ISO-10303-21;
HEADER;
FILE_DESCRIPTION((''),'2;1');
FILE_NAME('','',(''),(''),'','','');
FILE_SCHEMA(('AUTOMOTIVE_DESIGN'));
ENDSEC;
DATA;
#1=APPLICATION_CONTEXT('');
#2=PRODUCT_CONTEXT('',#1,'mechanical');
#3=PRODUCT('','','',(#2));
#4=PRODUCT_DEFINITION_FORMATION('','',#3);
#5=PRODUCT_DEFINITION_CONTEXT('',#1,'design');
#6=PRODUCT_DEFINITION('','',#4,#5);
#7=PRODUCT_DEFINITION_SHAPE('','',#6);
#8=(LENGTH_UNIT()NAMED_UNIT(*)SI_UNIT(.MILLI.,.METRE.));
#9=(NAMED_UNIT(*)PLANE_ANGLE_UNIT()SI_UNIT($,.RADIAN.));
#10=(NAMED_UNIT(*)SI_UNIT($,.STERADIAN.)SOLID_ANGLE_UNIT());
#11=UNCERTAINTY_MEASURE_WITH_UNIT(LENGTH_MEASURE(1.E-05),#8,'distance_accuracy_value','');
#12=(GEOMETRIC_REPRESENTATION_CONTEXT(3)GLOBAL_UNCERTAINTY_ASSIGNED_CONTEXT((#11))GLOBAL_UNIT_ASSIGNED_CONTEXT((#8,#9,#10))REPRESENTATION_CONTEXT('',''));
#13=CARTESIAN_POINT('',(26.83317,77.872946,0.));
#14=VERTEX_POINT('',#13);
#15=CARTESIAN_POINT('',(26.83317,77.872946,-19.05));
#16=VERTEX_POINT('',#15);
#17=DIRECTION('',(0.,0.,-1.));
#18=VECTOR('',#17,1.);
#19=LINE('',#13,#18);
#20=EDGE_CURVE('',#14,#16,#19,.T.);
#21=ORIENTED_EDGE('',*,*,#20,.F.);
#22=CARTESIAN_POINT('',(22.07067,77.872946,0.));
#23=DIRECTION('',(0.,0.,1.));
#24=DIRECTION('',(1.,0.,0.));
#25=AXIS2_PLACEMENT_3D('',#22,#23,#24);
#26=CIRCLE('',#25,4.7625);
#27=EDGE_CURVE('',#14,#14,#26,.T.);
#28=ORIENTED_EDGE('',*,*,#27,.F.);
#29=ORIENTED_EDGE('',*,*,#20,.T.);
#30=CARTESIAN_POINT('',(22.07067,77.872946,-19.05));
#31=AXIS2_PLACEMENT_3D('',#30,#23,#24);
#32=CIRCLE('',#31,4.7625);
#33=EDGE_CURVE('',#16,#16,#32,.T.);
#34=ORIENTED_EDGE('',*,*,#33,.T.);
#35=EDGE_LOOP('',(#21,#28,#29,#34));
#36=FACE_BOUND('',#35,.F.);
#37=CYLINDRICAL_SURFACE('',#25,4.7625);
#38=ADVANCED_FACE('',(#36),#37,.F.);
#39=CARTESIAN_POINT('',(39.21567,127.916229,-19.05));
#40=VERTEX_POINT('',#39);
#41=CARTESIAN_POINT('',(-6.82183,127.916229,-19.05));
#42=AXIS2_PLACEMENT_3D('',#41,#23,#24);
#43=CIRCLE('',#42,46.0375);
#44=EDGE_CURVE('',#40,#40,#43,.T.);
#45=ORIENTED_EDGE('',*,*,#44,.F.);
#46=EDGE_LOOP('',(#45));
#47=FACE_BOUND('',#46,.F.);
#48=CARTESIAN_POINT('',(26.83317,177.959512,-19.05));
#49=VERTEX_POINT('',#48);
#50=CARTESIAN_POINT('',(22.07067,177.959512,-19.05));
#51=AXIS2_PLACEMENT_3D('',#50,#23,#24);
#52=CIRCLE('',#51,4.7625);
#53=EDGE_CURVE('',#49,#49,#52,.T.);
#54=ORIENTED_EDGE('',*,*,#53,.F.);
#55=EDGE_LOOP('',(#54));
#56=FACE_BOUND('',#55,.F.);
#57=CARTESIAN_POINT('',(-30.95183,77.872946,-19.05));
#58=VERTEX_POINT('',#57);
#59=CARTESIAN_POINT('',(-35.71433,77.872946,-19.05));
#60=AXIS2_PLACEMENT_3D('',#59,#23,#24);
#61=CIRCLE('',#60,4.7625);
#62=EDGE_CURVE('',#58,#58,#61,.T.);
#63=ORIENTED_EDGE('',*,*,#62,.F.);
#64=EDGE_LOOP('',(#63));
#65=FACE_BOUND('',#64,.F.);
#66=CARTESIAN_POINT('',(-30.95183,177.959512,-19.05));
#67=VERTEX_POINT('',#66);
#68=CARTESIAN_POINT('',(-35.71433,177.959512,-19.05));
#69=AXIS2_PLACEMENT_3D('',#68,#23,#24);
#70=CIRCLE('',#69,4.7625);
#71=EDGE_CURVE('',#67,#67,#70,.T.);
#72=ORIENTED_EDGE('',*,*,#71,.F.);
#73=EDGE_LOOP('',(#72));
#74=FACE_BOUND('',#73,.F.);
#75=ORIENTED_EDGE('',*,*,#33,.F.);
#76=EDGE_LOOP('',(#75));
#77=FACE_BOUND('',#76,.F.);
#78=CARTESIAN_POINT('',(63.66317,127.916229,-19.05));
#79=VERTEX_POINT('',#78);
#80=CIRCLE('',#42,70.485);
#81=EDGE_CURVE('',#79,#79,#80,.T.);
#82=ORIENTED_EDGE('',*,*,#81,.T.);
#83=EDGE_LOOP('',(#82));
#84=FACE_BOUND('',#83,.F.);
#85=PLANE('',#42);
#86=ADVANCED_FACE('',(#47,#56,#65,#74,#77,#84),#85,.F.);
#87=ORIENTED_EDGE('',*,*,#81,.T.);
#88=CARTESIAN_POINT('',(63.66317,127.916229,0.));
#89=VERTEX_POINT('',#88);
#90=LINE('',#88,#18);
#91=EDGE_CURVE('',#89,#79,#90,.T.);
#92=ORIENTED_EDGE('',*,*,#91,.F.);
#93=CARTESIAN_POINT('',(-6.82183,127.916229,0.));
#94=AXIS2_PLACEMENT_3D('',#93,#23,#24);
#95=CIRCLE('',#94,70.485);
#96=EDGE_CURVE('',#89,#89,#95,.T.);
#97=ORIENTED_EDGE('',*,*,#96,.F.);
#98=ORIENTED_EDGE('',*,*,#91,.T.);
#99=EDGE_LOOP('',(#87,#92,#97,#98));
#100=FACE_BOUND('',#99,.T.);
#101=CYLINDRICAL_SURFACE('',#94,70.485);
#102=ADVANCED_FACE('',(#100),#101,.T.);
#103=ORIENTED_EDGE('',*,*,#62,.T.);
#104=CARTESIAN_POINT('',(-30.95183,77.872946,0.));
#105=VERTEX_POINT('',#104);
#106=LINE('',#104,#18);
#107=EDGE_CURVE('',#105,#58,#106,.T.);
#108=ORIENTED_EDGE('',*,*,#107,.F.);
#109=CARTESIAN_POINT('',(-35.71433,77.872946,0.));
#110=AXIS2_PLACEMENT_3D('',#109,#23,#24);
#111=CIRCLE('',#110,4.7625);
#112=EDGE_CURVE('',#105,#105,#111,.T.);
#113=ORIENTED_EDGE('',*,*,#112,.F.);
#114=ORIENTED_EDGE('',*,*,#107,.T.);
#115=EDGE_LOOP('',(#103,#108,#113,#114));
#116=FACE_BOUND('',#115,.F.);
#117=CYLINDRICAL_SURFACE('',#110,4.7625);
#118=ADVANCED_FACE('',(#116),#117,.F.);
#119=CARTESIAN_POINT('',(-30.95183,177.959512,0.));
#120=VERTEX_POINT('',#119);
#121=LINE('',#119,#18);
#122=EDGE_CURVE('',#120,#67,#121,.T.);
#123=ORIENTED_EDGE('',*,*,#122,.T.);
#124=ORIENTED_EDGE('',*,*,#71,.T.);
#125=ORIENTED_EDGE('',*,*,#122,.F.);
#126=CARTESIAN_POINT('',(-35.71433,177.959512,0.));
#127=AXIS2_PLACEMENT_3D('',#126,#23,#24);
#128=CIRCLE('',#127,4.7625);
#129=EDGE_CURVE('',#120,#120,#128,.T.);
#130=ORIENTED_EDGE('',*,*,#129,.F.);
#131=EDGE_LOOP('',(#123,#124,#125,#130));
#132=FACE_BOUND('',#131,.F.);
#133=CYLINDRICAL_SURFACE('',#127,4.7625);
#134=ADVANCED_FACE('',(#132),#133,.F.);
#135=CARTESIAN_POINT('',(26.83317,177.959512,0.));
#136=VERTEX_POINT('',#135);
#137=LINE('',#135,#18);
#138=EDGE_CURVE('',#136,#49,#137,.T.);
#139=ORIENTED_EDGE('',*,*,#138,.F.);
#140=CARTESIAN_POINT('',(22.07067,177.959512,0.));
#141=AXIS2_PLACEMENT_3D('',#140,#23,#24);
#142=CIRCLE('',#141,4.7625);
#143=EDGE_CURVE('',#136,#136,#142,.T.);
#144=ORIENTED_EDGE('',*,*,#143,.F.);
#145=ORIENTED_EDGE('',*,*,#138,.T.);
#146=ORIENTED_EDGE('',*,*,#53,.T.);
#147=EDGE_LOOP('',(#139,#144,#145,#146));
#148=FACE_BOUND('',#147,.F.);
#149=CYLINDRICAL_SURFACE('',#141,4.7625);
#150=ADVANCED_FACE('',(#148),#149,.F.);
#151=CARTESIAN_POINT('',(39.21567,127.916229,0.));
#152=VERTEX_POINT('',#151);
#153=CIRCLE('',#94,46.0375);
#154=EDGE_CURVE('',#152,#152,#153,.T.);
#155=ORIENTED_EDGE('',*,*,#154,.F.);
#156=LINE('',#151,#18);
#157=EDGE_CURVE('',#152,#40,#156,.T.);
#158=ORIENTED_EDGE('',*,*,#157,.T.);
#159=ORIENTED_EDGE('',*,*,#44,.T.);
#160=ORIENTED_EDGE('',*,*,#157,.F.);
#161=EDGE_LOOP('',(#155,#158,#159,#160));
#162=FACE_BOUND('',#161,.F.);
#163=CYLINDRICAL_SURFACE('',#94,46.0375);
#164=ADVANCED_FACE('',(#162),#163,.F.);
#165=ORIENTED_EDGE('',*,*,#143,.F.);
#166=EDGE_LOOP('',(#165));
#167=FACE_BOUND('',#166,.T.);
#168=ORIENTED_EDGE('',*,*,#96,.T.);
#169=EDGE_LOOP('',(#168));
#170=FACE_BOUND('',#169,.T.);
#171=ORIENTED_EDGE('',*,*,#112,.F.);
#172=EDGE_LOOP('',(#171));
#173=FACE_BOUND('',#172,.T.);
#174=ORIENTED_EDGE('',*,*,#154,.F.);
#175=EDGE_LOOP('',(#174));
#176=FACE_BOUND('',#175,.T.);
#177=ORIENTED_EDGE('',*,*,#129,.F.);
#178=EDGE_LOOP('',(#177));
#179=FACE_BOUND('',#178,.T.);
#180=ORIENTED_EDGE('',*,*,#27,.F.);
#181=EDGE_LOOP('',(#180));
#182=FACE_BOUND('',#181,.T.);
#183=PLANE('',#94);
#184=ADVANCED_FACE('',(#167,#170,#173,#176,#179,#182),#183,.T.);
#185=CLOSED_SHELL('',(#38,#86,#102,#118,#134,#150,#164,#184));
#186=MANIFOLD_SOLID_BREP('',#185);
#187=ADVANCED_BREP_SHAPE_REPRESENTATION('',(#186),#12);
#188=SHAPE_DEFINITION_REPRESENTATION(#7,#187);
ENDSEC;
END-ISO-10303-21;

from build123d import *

# Parameters (mm, degrees)
F0_R     = 70.485
F0_R_2   = 4.7625
F0_R_3   = 46.0375
F1_DEPTH = 19.05


with BuildPart() as f1:
    # F0 (on Top) → F1 (new body)
    with BuildSketch(Plane.XY):
        with Locations((-6.82183, 127.916229)):
            Circle(F0_R)
        with Locations((-35.71433, 77.872946)):
            Circle(F0_R_2, mode=Mode.SUBTRACT)
        with Locations((-35.71433, 177.959512)):
            Circle(F0_R_2, mode=Mode.SUBTRACT)
        with Locations((22.07067, 77.872946)):
            Circle(F0_R_2, mode=Mode.SUBTRACT)
        with Locations((-6.82183, 127.916229)):
            Circle(F0_R_3, mode=Mode.SUBTRACT)
        with Locations((22.07067, 177.959512)):
            Circle(F0_R_2, mode=Mode.SUBTRACT)
    extrude(amount=-F1_DEPTH)


solid = f1.part
